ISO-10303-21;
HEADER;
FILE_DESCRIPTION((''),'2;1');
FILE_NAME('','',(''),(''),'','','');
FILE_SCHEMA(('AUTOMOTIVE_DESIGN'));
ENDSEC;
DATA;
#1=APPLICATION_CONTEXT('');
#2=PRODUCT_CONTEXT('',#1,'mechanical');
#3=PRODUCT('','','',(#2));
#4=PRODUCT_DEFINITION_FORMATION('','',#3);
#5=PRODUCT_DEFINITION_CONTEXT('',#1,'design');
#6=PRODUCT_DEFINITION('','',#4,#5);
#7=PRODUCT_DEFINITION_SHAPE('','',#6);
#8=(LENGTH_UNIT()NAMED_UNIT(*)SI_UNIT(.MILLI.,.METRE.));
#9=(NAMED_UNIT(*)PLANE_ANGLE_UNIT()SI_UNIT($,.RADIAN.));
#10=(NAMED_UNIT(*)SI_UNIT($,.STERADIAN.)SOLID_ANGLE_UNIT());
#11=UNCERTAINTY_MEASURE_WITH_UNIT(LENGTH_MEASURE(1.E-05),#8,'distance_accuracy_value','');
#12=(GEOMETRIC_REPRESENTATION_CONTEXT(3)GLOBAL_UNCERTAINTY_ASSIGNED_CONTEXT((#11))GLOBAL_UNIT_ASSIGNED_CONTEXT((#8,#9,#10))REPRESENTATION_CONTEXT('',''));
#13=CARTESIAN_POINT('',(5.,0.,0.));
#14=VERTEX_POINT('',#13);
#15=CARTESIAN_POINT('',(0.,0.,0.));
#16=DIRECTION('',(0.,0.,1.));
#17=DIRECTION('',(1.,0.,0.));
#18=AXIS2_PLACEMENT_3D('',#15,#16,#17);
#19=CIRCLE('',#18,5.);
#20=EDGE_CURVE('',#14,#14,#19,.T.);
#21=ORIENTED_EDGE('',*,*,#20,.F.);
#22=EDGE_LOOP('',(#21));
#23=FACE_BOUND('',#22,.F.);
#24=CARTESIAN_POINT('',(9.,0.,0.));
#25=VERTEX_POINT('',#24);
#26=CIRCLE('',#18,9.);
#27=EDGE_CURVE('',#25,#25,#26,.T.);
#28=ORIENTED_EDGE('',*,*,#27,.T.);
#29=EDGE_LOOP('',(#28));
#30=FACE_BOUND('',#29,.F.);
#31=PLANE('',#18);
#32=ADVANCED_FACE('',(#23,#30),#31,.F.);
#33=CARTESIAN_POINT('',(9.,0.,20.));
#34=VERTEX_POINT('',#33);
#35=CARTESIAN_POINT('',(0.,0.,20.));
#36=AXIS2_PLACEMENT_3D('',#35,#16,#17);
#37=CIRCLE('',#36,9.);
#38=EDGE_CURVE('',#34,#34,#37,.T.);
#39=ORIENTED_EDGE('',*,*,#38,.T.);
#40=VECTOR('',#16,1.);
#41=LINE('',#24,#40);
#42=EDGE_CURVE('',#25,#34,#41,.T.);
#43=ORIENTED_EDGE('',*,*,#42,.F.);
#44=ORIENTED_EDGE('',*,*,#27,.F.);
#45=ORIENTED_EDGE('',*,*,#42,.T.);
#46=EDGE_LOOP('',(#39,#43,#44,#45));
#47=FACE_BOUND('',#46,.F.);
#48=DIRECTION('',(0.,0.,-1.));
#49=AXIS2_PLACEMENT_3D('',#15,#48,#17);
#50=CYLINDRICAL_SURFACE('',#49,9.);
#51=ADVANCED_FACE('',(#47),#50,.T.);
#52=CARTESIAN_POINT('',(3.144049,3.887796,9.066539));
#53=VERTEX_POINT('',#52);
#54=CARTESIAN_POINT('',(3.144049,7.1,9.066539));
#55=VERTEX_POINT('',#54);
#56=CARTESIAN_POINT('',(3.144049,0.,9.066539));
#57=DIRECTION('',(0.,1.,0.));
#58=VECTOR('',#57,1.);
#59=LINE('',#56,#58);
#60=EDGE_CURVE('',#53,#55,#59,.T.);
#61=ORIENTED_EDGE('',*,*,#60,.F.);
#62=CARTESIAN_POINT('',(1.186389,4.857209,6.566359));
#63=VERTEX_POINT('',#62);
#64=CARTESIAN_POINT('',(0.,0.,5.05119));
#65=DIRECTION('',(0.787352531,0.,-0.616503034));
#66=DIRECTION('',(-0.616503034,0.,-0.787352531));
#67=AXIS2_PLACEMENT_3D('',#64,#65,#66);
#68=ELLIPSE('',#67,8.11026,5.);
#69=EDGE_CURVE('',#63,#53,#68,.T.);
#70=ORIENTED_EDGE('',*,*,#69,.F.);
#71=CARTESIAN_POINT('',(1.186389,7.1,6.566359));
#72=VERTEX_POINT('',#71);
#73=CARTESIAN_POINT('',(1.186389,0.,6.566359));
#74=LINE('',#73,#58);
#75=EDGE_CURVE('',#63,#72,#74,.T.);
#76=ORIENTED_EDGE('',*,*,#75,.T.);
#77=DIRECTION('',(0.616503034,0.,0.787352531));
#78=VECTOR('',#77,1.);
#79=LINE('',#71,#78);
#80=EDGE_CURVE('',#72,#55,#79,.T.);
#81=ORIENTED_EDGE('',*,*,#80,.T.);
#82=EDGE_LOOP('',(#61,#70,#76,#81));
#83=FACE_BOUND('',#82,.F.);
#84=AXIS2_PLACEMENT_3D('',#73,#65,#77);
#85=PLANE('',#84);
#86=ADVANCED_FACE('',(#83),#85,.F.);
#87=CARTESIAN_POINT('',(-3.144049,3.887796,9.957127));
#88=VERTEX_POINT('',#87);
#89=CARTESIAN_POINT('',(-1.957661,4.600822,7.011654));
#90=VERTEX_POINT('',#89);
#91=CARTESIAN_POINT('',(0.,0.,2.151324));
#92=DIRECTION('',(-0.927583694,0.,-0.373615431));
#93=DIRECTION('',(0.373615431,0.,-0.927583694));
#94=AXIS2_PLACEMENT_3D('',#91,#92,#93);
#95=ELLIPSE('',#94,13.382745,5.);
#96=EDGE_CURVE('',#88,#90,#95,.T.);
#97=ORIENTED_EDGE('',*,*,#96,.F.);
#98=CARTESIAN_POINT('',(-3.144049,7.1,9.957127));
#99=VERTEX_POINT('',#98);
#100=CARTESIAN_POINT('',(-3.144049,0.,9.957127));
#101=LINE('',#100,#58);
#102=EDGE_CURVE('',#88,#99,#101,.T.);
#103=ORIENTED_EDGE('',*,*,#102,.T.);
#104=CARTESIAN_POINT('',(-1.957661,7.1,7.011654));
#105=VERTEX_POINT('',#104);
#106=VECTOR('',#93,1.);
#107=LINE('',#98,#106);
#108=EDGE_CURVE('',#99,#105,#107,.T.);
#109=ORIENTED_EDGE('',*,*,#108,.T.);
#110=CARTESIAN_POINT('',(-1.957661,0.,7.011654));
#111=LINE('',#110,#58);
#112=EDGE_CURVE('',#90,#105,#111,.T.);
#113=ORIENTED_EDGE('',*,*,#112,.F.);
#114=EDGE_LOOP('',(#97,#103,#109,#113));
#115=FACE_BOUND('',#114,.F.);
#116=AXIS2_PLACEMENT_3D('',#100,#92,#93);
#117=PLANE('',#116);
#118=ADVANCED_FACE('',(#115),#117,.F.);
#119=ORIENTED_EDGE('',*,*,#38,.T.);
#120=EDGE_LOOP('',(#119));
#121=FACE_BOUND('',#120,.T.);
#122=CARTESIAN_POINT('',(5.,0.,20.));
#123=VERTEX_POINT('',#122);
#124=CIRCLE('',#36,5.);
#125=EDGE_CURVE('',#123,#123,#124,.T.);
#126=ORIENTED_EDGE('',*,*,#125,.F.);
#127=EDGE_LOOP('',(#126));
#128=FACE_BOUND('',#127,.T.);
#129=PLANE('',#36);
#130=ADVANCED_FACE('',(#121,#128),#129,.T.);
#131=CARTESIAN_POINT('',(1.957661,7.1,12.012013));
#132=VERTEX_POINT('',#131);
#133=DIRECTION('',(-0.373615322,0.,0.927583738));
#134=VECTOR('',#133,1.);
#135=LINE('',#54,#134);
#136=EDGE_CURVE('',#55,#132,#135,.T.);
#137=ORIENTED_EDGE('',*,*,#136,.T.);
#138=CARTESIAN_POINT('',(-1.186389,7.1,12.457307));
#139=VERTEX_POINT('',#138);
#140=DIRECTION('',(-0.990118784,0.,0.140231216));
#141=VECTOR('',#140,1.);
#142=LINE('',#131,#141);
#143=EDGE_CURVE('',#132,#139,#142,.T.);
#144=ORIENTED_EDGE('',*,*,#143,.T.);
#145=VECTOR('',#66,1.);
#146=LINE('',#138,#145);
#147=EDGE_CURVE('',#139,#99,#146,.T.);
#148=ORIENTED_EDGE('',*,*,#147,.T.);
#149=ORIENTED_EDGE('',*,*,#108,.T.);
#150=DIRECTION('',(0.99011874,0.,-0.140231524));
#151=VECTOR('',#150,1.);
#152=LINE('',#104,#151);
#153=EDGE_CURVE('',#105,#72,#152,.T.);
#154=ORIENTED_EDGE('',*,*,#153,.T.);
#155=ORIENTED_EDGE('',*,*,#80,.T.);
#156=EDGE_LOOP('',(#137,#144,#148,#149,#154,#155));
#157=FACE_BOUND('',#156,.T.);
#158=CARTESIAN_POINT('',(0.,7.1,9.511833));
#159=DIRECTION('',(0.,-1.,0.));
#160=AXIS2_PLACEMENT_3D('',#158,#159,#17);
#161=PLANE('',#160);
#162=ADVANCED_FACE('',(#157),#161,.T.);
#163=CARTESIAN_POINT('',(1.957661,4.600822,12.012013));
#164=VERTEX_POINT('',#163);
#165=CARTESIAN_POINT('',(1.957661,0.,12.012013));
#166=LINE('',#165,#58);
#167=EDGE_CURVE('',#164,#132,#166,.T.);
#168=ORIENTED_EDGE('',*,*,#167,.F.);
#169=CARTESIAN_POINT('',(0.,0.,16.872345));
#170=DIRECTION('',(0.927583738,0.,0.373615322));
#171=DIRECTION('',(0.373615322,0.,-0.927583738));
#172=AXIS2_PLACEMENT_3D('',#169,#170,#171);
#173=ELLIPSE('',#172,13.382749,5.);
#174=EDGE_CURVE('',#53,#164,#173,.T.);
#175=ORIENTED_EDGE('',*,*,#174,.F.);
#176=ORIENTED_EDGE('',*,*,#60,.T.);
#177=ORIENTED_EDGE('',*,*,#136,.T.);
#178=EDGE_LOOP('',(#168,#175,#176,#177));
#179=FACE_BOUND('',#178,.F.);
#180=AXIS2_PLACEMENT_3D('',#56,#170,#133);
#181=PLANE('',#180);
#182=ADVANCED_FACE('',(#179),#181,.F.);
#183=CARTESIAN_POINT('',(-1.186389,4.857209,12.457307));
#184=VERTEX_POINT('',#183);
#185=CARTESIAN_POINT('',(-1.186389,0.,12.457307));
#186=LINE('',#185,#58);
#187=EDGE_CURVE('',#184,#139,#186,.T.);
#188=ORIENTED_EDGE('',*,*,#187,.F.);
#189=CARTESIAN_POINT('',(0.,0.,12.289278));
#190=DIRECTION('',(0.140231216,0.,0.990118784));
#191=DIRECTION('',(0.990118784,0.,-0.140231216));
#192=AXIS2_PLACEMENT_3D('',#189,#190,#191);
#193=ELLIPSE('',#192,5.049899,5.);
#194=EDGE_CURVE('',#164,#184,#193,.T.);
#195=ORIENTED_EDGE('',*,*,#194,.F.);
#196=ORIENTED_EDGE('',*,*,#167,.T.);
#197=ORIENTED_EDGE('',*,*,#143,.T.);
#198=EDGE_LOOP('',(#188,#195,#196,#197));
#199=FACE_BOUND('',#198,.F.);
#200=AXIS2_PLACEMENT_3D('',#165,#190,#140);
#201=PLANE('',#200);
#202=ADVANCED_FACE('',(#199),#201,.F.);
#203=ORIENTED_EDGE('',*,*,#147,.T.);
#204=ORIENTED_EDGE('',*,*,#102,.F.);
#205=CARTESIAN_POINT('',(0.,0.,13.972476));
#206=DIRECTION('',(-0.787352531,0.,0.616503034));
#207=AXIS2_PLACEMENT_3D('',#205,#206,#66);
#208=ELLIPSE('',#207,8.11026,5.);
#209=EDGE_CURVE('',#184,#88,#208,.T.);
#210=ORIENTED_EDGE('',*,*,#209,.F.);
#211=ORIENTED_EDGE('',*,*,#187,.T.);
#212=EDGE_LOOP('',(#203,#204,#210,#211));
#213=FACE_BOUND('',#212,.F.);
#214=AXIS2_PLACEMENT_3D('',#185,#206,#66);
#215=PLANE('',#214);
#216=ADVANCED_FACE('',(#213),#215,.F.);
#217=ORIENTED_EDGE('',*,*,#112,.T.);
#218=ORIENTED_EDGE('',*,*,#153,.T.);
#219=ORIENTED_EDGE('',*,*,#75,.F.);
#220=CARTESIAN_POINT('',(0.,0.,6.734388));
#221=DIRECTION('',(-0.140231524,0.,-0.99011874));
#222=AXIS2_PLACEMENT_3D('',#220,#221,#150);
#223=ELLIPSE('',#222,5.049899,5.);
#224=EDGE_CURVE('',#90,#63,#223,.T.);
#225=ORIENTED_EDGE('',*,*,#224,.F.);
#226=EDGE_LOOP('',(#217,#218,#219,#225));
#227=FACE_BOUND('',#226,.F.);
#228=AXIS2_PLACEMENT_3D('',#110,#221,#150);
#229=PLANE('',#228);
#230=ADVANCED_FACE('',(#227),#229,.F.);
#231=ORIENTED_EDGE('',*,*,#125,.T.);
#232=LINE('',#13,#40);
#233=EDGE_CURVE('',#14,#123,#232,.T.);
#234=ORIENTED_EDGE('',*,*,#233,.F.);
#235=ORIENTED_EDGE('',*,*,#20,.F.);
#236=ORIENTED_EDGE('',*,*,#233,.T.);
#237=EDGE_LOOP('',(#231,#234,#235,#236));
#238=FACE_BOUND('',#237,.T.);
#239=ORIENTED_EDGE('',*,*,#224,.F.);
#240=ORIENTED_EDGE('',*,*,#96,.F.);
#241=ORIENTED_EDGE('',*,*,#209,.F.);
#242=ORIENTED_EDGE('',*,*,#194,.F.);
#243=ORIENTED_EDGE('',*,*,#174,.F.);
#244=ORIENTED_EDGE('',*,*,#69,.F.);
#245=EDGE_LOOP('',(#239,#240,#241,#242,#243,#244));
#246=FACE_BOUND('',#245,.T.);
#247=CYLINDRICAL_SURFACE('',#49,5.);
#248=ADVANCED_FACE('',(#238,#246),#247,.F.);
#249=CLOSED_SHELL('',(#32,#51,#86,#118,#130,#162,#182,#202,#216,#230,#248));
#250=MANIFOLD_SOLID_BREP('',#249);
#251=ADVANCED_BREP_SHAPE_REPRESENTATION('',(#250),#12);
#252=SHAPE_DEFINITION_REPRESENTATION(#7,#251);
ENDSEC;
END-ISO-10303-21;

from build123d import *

# Parameters (mm, degrees)
F0_R     = 9
F0_R_2   = 5
F1_DEPTH = 20
F2_R     = 1.6
F3_DEPTH = 7.1


with BuildPart() as f1:
    # F0 (on Top) → F1 (new body)
    with BuildSketch(Plane.XY):
        Circle(F0_R)
        Circle(F0_R_2, mode=Mode.SUBTRACT)
    extrude(amount=F1_DEPTH)

    # F2 (on Front) → F3 (cut)
    with BuildSketch(Plane.XZ):
        Polygon((-1.186389, 12.457307), (-3.144049, 9.957127), (-1.957661, 7.011654), (1.186389, 6.566359), (3.144049, 9.066539), (1.957661, 12.012013), align=None)
        with Locations((0, 9.511833)):
            Circle(F2_R, mode=Mode.SUBTRACT)
        with Locations((0, 9.511833)):
            Circle(F2_R)
    extrude(amount=-F3_DEPTH, mode=Mode.SUBTRACT)


solid = f1.part
